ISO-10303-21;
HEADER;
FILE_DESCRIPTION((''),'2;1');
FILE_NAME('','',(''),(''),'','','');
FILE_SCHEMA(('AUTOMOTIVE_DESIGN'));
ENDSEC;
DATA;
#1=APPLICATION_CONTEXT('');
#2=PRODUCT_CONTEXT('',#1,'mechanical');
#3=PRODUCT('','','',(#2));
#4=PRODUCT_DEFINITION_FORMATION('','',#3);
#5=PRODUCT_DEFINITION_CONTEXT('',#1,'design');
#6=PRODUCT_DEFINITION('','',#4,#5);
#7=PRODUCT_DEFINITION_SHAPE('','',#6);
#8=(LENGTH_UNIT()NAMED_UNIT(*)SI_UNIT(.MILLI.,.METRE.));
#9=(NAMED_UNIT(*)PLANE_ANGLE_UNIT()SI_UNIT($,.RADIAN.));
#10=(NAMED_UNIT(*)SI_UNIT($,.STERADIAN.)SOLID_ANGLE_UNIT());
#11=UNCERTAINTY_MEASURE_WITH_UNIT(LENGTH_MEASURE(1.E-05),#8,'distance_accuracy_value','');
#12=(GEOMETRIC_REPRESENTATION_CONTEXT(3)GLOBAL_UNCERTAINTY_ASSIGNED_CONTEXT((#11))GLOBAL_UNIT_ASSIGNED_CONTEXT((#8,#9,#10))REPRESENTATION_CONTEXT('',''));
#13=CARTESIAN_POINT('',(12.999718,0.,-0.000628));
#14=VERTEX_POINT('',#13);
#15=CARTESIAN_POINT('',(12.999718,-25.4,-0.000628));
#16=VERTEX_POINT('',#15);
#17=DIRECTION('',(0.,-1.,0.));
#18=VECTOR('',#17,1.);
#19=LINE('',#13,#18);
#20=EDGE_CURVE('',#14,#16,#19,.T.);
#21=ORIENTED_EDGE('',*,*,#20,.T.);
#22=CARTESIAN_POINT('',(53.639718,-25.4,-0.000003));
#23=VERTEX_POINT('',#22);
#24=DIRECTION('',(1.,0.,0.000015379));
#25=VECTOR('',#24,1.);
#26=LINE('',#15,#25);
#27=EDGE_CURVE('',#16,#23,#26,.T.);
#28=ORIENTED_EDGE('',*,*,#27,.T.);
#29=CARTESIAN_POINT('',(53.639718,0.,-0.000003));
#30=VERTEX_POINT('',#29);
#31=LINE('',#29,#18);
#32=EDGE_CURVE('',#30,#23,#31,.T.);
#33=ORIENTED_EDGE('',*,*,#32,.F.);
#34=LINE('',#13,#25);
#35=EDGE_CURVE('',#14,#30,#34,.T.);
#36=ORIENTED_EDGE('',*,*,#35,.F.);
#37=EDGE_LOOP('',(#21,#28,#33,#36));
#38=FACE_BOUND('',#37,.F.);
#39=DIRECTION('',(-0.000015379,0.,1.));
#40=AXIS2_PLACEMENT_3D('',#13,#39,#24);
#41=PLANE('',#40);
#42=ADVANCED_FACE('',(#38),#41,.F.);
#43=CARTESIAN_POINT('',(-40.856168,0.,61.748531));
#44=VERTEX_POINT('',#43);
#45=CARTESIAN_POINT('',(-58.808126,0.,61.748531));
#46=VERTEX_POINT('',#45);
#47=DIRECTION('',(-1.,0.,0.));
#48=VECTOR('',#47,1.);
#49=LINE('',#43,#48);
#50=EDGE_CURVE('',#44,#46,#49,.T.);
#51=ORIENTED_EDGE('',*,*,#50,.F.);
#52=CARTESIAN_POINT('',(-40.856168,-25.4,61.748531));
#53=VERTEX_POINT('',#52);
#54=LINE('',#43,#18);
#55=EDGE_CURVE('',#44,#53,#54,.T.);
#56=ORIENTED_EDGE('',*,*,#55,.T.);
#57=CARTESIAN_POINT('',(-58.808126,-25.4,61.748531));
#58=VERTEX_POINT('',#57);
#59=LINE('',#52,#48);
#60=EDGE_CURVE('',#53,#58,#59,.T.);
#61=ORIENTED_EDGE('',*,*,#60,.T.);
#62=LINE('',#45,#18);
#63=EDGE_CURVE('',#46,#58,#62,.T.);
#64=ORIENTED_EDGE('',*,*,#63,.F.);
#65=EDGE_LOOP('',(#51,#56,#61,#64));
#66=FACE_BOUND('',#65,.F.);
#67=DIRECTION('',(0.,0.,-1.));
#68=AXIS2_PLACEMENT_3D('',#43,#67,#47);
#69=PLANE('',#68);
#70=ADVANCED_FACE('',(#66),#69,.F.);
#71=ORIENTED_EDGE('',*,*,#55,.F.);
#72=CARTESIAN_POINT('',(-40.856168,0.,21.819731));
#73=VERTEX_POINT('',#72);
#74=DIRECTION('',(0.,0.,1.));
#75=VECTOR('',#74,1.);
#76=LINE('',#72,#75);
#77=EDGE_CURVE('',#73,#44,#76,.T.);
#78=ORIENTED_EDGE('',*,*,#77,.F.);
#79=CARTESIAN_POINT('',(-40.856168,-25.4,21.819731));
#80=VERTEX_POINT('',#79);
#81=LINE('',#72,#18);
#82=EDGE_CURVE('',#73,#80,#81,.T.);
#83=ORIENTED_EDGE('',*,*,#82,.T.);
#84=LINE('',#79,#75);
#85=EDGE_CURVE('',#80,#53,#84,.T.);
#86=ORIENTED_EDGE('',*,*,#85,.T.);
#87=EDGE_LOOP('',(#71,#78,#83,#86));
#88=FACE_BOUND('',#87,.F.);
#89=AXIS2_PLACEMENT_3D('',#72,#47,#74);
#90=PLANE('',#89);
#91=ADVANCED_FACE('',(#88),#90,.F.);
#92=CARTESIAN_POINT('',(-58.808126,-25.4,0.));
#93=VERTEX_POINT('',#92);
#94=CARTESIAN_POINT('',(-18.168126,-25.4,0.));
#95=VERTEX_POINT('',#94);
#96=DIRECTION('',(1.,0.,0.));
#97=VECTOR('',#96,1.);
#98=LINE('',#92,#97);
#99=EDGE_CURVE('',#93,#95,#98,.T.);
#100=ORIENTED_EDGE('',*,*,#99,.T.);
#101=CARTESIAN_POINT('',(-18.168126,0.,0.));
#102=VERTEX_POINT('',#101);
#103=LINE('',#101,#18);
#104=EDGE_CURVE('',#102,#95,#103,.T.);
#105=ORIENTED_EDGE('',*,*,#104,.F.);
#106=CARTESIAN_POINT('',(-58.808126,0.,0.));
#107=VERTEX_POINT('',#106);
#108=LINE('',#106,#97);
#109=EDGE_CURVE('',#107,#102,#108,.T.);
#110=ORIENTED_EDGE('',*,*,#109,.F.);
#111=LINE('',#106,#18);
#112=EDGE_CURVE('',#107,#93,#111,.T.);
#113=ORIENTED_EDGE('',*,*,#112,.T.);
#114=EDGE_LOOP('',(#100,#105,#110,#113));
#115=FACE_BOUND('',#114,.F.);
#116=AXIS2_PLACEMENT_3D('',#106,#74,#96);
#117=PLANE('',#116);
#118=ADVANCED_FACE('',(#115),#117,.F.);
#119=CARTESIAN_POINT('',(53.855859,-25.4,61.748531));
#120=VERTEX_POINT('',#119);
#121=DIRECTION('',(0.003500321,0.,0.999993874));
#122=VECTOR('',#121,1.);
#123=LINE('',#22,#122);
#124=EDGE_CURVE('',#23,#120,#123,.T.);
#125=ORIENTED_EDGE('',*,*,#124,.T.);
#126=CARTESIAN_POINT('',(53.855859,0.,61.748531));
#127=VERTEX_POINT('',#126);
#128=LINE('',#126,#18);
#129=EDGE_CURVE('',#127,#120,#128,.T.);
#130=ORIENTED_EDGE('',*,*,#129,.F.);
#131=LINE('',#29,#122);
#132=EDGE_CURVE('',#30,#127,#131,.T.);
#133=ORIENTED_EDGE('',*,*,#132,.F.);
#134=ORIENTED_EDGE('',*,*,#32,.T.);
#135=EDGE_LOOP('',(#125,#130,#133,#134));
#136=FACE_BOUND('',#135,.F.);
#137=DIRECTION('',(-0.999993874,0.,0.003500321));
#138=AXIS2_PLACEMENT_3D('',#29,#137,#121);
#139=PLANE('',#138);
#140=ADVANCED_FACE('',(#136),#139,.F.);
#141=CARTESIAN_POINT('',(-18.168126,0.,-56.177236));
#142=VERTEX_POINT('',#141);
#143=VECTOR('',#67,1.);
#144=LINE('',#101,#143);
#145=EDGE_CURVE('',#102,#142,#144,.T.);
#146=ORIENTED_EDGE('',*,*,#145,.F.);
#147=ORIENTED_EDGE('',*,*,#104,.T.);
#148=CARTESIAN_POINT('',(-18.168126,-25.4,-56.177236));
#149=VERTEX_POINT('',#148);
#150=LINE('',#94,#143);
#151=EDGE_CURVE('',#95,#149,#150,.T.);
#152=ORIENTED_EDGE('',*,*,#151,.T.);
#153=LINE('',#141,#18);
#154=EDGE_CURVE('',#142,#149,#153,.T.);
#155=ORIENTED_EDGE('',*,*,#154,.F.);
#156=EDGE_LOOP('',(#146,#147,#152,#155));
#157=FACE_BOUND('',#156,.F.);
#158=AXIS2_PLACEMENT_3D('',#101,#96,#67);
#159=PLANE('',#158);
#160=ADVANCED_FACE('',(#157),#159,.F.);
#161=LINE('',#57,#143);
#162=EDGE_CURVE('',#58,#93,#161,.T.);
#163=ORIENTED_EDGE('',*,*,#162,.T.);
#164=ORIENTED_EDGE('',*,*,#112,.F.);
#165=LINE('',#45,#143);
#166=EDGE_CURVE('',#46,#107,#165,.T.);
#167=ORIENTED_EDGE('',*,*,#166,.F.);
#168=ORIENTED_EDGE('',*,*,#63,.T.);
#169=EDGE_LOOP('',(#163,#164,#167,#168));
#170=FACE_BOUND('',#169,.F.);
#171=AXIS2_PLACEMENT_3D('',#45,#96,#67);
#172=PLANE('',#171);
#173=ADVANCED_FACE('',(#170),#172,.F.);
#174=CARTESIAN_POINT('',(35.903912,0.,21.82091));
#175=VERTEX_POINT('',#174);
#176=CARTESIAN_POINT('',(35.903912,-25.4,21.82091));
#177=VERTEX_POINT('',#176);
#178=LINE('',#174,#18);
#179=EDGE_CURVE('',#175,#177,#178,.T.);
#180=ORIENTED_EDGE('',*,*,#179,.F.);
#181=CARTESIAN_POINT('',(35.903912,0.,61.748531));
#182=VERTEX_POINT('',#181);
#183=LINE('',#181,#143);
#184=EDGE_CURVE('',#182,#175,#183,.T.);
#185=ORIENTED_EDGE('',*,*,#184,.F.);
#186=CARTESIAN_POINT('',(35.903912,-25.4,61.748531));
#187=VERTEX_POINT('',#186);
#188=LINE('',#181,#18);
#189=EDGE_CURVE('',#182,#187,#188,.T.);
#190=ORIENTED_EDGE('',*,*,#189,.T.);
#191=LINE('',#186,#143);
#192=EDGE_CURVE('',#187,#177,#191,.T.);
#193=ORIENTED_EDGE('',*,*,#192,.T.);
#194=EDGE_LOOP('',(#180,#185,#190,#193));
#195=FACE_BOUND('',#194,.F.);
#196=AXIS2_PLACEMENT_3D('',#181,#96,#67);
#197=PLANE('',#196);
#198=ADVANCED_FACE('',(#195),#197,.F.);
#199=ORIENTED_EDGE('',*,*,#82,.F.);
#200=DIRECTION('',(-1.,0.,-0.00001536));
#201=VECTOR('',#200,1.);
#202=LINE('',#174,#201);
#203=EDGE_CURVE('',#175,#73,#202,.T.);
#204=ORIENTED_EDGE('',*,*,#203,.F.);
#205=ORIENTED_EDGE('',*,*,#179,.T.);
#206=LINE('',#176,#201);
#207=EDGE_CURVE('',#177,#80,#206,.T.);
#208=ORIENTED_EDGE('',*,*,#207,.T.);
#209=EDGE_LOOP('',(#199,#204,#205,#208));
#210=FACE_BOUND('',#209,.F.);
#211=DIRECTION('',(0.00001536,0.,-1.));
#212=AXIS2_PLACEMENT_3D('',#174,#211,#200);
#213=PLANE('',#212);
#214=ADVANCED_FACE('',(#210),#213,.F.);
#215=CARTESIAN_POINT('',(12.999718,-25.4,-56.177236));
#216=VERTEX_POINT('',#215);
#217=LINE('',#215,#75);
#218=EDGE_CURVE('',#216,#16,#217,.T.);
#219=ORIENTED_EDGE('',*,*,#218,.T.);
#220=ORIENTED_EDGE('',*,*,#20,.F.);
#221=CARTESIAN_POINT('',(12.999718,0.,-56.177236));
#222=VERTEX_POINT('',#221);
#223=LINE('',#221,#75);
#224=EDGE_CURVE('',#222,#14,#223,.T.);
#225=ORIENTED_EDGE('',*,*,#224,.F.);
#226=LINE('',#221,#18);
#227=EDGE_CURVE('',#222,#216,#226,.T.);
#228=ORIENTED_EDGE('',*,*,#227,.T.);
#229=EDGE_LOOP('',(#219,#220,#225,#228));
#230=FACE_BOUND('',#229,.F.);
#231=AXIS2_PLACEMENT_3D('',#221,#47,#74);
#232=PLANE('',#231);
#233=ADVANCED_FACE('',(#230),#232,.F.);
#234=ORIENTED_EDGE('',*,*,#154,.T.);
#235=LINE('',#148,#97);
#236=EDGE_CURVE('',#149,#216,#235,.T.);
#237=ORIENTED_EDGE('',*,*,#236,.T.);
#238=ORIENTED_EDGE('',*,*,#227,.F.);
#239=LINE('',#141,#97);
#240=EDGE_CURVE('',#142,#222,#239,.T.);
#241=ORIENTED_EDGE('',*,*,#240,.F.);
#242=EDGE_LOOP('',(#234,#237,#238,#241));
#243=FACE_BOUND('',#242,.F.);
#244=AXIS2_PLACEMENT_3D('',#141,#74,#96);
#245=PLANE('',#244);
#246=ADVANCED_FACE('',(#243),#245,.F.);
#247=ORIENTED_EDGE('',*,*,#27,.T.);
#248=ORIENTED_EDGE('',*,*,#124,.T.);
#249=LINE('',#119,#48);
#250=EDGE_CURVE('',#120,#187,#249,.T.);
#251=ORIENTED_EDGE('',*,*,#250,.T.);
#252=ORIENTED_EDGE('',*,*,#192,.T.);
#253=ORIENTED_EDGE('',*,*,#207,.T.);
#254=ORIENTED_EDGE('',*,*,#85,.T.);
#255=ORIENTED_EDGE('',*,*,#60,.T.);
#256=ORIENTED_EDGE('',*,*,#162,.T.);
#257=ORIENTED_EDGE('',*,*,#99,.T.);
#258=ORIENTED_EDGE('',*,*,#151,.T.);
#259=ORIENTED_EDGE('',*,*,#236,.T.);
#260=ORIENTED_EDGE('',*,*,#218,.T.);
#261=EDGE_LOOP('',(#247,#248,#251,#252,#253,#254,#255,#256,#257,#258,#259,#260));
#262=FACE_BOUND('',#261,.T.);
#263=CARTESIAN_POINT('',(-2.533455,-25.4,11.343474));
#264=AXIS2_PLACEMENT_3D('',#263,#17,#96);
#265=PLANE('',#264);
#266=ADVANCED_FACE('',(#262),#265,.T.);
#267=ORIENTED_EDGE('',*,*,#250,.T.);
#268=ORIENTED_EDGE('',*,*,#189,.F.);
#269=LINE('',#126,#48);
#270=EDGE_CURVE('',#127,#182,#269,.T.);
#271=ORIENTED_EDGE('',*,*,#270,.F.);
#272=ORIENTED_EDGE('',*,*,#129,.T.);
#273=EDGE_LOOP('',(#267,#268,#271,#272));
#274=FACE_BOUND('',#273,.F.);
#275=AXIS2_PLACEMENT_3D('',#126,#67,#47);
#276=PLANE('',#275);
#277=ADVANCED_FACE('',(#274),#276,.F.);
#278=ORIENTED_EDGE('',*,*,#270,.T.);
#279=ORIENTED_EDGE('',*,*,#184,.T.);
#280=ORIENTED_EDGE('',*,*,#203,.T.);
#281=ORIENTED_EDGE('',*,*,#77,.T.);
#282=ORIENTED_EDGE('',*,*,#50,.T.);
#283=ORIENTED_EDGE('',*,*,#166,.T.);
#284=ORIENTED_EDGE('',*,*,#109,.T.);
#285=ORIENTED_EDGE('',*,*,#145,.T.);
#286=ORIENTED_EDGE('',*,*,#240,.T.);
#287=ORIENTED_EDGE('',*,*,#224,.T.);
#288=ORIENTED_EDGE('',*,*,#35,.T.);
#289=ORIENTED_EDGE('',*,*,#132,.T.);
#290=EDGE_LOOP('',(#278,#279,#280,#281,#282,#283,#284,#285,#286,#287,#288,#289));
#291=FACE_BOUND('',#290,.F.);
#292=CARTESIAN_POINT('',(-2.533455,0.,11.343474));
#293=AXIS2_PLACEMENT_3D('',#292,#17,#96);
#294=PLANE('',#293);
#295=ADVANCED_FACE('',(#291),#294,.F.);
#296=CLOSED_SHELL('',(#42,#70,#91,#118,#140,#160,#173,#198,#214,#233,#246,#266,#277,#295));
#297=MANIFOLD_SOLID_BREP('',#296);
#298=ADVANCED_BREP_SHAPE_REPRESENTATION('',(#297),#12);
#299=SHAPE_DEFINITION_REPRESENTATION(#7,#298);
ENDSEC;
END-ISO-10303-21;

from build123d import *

# Parameters (mm, degrees)
F1_DEPTH = 25.4


with BuildPart() as f1:
    # F0 (on Front) → F1 (new body)
    with BuildSketch(Plane.XZ):
        Polygon((-58.808126, 61.748531), (-58.808126, 21.82091), (-58.808126, 0), (-18.168126, 0), (-18.168126, -56.177236), (12.999718, -56.177236), (12.999718, -0.000628), (53.639718, -3e-06), (53.855859, 61.748531), (35.903912, 61.748531), (35.903912, 21.82091), (-40.856168, 21.819731), (-40.856168, 61.748531), align=None)
    extrude(amount=F1_DEPTH)


solid = f1.part
